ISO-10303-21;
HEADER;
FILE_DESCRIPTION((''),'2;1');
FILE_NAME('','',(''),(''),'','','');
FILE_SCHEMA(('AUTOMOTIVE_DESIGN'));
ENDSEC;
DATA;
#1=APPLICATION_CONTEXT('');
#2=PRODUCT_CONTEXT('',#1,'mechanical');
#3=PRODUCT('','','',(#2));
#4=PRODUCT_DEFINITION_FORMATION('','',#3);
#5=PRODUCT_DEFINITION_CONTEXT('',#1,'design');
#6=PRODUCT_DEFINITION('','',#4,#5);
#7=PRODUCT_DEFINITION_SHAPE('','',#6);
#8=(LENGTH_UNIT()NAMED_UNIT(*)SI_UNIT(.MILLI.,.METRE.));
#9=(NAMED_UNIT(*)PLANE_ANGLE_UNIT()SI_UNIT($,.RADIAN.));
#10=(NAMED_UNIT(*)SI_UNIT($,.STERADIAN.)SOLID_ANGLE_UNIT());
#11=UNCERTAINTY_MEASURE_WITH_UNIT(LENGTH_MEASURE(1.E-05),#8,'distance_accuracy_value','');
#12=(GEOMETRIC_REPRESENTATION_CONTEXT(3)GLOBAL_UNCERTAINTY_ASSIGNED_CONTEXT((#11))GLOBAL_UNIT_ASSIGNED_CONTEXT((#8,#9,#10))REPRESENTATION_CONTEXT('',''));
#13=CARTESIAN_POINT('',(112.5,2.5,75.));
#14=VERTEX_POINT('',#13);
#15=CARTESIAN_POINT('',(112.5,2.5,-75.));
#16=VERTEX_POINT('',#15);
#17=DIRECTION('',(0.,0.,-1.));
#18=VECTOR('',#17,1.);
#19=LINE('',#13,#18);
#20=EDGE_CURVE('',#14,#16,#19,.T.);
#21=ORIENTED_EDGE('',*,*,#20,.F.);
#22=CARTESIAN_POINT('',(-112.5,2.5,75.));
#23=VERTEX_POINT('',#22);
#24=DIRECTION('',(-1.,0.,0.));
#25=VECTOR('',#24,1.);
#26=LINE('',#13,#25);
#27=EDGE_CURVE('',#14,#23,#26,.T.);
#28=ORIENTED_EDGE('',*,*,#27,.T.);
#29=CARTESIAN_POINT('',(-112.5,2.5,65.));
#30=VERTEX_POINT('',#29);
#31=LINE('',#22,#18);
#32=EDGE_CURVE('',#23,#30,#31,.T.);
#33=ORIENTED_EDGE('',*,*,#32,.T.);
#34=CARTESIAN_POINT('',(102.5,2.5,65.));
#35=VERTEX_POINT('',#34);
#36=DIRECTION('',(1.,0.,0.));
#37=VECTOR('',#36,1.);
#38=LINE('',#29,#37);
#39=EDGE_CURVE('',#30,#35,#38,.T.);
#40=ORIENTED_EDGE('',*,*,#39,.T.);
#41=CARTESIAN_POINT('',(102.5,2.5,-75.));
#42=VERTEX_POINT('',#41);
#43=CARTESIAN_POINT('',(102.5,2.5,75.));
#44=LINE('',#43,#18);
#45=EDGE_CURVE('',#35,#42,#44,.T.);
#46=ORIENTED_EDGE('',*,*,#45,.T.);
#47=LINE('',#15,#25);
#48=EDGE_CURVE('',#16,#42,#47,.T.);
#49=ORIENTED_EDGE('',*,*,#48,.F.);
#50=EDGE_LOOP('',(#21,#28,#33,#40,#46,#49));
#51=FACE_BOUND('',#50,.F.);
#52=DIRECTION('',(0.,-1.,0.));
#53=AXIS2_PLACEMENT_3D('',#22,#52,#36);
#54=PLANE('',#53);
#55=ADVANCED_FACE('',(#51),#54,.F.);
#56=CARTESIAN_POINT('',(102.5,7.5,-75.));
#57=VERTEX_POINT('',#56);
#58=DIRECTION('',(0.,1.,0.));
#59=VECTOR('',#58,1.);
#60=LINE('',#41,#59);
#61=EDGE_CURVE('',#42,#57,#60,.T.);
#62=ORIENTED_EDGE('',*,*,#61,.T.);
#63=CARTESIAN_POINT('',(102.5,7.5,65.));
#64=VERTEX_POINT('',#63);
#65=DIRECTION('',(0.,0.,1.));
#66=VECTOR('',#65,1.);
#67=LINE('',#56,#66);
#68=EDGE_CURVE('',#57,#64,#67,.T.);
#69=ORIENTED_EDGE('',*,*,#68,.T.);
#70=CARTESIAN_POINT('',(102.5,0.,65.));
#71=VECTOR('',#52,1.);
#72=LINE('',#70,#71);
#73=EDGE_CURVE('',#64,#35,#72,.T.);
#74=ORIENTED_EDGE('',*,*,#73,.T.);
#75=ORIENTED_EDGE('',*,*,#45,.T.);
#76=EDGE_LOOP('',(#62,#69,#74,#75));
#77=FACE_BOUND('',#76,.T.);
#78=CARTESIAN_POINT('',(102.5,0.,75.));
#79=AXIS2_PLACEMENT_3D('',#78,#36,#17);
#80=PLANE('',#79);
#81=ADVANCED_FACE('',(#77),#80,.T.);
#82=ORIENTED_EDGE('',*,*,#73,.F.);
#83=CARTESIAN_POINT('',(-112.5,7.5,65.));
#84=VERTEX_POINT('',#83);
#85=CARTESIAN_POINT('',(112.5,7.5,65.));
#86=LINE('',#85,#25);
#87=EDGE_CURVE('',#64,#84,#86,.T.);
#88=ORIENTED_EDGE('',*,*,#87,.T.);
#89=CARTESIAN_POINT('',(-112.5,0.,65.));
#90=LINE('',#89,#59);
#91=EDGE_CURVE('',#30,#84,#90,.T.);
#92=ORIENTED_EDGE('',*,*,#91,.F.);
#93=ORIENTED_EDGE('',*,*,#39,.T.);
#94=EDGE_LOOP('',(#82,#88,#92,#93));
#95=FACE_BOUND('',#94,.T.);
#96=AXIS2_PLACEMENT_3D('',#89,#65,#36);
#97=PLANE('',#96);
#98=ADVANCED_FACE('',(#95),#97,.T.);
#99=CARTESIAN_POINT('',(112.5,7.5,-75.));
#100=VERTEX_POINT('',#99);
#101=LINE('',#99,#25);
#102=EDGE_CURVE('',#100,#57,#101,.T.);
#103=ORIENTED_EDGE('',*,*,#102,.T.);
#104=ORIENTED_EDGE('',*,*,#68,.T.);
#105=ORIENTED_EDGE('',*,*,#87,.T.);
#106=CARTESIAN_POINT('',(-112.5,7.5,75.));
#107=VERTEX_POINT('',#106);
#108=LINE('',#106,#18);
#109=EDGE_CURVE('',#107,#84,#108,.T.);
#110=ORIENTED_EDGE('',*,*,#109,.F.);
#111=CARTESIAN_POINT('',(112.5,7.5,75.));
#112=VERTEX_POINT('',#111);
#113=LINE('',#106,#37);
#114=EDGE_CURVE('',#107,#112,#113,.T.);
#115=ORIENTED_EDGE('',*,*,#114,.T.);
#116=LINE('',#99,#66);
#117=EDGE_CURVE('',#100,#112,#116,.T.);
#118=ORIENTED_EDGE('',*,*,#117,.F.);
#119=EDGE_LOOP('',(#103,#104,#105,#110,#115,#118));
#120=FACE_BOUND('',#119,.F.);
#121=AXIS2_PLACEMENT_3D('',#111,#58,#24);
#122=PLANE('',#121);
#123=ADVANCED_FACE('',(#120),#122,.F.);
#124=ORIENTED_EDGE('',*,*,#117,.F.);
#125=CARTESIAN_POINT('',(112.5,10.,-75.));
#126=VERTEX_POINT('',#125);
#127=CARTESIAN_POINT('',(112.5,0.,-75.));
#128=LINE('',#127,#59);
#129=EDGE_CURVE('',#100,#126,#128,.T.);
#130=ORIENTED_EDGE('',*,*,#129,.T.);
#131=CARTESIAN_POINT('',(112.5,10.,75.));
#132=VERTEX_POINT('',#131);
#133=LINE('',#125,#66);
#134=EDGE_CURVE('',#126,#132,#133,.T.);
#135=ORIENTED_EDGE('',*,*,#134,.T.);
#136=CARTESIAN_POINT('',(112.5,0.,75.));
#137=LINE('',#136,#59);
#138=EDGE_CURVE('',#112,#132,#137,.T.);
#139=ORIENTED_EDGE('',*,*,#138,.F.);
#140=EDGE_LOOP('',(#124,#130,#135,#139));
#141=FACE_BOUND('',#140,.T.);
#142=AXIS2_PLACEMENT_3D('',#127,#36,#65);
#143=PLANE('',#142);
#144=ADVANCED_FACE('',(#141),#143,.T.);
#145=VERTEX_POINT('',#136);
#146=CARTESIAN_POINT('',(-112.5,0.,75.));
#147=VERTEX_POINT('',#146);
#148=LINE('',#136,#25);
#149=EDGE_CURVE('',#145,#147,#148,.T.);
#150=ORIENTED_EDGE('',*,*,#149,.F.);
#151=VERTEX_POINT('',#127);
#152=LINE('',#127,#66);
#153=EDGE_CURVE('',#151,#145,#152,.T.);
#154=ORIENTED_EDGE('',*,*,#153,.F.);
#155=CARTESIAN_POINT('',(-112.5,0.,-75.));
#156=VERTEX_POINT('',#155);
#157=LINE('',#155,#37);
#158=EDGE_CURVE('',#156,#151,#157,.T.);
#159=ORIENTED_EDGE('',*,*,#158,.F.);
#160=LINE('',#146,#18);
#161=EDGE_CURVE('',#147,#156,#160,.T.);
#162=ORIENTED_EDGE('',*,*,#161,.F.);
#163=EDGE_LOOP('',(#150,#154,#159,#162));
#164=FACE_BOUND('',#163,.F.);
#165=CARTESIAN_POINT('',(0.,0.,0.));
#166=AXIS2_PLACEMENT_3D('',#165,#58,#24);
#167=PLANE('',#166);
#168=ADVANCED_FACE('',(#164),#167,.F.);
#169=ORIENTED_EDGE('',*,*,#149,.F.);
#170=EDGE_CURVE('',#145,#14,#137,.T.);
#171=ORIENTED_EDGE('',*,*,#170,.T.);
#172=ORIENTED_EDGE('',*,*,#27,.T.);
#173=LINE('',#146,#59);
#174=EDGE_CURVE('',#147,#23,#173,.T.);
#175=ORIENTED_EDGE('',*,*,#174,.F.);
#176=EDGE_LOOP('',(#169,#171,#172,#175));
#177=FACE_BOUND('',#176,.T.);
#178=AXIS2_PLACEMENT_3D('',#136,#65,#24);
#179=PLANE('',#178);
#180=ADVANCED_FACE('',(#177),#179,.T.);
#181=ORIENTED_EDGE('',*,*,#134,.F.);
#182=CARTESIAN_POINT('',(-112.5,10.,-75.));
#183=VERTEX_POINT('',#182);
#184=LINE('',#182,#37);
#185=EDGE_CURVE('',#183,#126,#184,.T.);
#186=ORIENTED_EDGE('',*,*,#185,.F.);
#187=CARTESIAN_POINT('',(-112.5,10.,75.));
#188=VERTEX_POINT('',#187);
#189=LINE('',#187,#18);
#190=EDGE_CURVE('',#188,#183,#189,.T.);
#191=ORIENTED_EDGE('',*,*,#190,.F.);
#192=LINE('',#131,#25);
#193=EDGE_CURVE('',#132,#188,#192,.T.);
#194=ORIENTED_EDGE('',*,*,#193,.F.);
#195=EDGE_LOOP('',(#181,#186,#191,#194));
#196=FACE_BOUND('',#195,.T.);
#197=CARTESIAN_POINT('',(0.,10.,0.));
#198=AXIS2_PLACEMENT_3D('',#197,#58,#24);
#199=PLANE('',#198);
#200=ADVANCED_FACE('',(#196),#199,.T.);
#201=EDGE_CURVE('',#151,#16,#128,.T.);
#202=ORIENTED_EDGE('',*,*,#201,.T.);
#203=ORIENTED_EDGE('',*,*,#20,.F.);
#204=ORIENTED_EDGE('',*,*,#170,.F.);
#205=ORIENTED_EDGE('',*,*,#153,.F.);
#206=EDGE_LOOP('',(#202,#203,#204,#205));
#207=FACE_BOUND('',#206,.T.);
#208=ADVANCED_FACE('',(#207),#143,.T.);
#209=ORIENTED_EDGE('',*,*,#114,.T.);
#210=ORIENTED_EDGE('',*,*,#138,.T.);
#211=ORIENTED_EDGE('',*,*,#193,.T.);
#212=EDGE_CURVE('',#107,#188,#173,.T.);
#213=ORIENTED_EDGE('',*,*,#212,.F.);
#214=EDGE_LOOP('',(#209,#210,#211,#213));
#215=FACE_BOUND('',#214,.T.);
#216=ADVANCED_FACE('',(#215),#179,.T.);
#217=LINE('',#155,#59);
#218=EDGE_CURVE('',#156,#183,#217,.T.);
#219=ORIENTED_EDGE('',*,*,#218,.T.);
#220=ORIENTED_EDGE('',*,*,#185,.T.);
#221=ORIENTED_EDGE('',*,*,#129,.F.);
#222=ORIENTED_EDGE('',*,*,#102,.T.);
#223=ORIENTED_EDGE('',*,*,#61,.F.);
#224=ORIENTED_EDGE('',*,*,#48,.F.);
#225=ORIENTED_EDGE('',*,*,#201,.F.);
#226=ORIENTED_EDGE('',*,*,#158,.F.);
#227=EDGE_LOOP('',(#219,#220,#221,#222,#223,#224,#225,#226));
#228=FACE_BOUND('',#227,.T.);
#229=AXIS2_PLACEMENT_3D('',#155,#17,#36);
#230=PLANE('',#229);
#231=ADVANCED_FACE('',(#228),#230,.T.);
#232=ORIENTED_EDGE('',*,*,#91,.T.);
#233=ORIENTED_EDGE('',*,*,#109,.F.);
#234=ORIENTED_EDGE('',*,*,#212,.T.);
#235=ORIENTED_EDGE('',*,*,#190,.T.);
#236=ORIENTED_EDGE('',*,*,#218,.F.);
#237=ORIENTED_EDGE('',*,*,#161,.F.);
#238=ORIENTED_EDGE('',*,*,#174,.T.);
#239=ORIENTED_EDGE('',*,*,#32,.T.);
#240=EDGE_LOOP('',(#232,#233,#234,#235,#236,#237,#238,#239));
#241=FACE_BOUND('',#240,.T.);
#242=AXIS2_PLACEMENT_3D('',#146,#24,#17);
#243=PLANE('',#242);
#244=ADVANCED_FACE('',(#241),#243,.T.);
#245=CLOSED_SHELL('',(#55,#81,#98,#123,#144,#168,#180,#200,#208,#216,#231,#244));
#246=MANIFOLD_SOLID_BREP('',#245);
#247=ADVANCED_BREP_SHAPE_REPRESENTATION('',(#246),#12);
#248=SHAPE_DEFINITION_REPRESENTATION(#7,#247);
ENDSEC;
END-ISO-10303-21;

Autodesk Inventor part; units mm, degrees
ref_plane "YZ Plane" through (0, 0, 0) normal (1, 0, 0) x (0, 1, 0)
ref_plane "XZ Plane" through (0, 0, 0) normal (0, 1, 0) x (-1, 0, 0)
ref_plane "XY Plane" through (0, 0, 0) normal (0, 0, 1) x (1, 0, 0)
sketch "Sketch1" plane through (0, 0, 0) normal (0, 1, 0) x (-1, 0, 0)
  line L0 (-112.5, 75) -> (112.5, 75)
  line L1 (112.5, 75) -> (112.5, -75)
  line L2 (112.5, -75) -> (-112.5, -75)
  line L3 (-112.5, -75) -> (-112.5, 75)
  line L4 (-112.5, 75) -> (112.5, -75) construction
  line L5 (112.5, 75) -> (-112.5, -75) construction
  point P0 (0, 0)
  dimension "d0" = 225
  dimension "d1" = 150
extrude "Extrusion1" add sketch "Sketch1" along normal blind 10
sketch "Sketch4" plane through (112.5, 0, 75) normal (1, 0, 0) x (0, 0, -1)
  line L0 (0, 2.5) -> (150, 2.5)
  line L1 (150, 2.5) -> (150, 7.5)
  line L2 (150, 7.5) -> (0, 7.5)
  line L3 (0, 7.5) -> (0, 2.5)
  point P0 (75, 0)
  dimension "d12" = 150
  dimension "d13" = 5
extrude "Extrusion4" cut sketch "Sketch4" against normal blind 10
sketch "Sketch5" plane through (-112.5, 0, 75) normal (0, 0, 1) x (1, 0, 0)
  line L0 (0, 0) -> (0, 10) projected
  line L1 (0, 2.5) -> (225, 2.5)
  line L2 (225, 2.5) -> (225, 7.5)
  line L3 (225, 7.5) -> (0, 7.5)
  line L4 (0, 7.5) -> (0, 2.5)
  point P0 (112.5, 0)
  dimension "d16" = 225
  dimension "d17" = 5
extrude "Extrusion5" cut sketch "Sketch5" against normal blind 10
properties part number "TSU_Baseplate_Female"
